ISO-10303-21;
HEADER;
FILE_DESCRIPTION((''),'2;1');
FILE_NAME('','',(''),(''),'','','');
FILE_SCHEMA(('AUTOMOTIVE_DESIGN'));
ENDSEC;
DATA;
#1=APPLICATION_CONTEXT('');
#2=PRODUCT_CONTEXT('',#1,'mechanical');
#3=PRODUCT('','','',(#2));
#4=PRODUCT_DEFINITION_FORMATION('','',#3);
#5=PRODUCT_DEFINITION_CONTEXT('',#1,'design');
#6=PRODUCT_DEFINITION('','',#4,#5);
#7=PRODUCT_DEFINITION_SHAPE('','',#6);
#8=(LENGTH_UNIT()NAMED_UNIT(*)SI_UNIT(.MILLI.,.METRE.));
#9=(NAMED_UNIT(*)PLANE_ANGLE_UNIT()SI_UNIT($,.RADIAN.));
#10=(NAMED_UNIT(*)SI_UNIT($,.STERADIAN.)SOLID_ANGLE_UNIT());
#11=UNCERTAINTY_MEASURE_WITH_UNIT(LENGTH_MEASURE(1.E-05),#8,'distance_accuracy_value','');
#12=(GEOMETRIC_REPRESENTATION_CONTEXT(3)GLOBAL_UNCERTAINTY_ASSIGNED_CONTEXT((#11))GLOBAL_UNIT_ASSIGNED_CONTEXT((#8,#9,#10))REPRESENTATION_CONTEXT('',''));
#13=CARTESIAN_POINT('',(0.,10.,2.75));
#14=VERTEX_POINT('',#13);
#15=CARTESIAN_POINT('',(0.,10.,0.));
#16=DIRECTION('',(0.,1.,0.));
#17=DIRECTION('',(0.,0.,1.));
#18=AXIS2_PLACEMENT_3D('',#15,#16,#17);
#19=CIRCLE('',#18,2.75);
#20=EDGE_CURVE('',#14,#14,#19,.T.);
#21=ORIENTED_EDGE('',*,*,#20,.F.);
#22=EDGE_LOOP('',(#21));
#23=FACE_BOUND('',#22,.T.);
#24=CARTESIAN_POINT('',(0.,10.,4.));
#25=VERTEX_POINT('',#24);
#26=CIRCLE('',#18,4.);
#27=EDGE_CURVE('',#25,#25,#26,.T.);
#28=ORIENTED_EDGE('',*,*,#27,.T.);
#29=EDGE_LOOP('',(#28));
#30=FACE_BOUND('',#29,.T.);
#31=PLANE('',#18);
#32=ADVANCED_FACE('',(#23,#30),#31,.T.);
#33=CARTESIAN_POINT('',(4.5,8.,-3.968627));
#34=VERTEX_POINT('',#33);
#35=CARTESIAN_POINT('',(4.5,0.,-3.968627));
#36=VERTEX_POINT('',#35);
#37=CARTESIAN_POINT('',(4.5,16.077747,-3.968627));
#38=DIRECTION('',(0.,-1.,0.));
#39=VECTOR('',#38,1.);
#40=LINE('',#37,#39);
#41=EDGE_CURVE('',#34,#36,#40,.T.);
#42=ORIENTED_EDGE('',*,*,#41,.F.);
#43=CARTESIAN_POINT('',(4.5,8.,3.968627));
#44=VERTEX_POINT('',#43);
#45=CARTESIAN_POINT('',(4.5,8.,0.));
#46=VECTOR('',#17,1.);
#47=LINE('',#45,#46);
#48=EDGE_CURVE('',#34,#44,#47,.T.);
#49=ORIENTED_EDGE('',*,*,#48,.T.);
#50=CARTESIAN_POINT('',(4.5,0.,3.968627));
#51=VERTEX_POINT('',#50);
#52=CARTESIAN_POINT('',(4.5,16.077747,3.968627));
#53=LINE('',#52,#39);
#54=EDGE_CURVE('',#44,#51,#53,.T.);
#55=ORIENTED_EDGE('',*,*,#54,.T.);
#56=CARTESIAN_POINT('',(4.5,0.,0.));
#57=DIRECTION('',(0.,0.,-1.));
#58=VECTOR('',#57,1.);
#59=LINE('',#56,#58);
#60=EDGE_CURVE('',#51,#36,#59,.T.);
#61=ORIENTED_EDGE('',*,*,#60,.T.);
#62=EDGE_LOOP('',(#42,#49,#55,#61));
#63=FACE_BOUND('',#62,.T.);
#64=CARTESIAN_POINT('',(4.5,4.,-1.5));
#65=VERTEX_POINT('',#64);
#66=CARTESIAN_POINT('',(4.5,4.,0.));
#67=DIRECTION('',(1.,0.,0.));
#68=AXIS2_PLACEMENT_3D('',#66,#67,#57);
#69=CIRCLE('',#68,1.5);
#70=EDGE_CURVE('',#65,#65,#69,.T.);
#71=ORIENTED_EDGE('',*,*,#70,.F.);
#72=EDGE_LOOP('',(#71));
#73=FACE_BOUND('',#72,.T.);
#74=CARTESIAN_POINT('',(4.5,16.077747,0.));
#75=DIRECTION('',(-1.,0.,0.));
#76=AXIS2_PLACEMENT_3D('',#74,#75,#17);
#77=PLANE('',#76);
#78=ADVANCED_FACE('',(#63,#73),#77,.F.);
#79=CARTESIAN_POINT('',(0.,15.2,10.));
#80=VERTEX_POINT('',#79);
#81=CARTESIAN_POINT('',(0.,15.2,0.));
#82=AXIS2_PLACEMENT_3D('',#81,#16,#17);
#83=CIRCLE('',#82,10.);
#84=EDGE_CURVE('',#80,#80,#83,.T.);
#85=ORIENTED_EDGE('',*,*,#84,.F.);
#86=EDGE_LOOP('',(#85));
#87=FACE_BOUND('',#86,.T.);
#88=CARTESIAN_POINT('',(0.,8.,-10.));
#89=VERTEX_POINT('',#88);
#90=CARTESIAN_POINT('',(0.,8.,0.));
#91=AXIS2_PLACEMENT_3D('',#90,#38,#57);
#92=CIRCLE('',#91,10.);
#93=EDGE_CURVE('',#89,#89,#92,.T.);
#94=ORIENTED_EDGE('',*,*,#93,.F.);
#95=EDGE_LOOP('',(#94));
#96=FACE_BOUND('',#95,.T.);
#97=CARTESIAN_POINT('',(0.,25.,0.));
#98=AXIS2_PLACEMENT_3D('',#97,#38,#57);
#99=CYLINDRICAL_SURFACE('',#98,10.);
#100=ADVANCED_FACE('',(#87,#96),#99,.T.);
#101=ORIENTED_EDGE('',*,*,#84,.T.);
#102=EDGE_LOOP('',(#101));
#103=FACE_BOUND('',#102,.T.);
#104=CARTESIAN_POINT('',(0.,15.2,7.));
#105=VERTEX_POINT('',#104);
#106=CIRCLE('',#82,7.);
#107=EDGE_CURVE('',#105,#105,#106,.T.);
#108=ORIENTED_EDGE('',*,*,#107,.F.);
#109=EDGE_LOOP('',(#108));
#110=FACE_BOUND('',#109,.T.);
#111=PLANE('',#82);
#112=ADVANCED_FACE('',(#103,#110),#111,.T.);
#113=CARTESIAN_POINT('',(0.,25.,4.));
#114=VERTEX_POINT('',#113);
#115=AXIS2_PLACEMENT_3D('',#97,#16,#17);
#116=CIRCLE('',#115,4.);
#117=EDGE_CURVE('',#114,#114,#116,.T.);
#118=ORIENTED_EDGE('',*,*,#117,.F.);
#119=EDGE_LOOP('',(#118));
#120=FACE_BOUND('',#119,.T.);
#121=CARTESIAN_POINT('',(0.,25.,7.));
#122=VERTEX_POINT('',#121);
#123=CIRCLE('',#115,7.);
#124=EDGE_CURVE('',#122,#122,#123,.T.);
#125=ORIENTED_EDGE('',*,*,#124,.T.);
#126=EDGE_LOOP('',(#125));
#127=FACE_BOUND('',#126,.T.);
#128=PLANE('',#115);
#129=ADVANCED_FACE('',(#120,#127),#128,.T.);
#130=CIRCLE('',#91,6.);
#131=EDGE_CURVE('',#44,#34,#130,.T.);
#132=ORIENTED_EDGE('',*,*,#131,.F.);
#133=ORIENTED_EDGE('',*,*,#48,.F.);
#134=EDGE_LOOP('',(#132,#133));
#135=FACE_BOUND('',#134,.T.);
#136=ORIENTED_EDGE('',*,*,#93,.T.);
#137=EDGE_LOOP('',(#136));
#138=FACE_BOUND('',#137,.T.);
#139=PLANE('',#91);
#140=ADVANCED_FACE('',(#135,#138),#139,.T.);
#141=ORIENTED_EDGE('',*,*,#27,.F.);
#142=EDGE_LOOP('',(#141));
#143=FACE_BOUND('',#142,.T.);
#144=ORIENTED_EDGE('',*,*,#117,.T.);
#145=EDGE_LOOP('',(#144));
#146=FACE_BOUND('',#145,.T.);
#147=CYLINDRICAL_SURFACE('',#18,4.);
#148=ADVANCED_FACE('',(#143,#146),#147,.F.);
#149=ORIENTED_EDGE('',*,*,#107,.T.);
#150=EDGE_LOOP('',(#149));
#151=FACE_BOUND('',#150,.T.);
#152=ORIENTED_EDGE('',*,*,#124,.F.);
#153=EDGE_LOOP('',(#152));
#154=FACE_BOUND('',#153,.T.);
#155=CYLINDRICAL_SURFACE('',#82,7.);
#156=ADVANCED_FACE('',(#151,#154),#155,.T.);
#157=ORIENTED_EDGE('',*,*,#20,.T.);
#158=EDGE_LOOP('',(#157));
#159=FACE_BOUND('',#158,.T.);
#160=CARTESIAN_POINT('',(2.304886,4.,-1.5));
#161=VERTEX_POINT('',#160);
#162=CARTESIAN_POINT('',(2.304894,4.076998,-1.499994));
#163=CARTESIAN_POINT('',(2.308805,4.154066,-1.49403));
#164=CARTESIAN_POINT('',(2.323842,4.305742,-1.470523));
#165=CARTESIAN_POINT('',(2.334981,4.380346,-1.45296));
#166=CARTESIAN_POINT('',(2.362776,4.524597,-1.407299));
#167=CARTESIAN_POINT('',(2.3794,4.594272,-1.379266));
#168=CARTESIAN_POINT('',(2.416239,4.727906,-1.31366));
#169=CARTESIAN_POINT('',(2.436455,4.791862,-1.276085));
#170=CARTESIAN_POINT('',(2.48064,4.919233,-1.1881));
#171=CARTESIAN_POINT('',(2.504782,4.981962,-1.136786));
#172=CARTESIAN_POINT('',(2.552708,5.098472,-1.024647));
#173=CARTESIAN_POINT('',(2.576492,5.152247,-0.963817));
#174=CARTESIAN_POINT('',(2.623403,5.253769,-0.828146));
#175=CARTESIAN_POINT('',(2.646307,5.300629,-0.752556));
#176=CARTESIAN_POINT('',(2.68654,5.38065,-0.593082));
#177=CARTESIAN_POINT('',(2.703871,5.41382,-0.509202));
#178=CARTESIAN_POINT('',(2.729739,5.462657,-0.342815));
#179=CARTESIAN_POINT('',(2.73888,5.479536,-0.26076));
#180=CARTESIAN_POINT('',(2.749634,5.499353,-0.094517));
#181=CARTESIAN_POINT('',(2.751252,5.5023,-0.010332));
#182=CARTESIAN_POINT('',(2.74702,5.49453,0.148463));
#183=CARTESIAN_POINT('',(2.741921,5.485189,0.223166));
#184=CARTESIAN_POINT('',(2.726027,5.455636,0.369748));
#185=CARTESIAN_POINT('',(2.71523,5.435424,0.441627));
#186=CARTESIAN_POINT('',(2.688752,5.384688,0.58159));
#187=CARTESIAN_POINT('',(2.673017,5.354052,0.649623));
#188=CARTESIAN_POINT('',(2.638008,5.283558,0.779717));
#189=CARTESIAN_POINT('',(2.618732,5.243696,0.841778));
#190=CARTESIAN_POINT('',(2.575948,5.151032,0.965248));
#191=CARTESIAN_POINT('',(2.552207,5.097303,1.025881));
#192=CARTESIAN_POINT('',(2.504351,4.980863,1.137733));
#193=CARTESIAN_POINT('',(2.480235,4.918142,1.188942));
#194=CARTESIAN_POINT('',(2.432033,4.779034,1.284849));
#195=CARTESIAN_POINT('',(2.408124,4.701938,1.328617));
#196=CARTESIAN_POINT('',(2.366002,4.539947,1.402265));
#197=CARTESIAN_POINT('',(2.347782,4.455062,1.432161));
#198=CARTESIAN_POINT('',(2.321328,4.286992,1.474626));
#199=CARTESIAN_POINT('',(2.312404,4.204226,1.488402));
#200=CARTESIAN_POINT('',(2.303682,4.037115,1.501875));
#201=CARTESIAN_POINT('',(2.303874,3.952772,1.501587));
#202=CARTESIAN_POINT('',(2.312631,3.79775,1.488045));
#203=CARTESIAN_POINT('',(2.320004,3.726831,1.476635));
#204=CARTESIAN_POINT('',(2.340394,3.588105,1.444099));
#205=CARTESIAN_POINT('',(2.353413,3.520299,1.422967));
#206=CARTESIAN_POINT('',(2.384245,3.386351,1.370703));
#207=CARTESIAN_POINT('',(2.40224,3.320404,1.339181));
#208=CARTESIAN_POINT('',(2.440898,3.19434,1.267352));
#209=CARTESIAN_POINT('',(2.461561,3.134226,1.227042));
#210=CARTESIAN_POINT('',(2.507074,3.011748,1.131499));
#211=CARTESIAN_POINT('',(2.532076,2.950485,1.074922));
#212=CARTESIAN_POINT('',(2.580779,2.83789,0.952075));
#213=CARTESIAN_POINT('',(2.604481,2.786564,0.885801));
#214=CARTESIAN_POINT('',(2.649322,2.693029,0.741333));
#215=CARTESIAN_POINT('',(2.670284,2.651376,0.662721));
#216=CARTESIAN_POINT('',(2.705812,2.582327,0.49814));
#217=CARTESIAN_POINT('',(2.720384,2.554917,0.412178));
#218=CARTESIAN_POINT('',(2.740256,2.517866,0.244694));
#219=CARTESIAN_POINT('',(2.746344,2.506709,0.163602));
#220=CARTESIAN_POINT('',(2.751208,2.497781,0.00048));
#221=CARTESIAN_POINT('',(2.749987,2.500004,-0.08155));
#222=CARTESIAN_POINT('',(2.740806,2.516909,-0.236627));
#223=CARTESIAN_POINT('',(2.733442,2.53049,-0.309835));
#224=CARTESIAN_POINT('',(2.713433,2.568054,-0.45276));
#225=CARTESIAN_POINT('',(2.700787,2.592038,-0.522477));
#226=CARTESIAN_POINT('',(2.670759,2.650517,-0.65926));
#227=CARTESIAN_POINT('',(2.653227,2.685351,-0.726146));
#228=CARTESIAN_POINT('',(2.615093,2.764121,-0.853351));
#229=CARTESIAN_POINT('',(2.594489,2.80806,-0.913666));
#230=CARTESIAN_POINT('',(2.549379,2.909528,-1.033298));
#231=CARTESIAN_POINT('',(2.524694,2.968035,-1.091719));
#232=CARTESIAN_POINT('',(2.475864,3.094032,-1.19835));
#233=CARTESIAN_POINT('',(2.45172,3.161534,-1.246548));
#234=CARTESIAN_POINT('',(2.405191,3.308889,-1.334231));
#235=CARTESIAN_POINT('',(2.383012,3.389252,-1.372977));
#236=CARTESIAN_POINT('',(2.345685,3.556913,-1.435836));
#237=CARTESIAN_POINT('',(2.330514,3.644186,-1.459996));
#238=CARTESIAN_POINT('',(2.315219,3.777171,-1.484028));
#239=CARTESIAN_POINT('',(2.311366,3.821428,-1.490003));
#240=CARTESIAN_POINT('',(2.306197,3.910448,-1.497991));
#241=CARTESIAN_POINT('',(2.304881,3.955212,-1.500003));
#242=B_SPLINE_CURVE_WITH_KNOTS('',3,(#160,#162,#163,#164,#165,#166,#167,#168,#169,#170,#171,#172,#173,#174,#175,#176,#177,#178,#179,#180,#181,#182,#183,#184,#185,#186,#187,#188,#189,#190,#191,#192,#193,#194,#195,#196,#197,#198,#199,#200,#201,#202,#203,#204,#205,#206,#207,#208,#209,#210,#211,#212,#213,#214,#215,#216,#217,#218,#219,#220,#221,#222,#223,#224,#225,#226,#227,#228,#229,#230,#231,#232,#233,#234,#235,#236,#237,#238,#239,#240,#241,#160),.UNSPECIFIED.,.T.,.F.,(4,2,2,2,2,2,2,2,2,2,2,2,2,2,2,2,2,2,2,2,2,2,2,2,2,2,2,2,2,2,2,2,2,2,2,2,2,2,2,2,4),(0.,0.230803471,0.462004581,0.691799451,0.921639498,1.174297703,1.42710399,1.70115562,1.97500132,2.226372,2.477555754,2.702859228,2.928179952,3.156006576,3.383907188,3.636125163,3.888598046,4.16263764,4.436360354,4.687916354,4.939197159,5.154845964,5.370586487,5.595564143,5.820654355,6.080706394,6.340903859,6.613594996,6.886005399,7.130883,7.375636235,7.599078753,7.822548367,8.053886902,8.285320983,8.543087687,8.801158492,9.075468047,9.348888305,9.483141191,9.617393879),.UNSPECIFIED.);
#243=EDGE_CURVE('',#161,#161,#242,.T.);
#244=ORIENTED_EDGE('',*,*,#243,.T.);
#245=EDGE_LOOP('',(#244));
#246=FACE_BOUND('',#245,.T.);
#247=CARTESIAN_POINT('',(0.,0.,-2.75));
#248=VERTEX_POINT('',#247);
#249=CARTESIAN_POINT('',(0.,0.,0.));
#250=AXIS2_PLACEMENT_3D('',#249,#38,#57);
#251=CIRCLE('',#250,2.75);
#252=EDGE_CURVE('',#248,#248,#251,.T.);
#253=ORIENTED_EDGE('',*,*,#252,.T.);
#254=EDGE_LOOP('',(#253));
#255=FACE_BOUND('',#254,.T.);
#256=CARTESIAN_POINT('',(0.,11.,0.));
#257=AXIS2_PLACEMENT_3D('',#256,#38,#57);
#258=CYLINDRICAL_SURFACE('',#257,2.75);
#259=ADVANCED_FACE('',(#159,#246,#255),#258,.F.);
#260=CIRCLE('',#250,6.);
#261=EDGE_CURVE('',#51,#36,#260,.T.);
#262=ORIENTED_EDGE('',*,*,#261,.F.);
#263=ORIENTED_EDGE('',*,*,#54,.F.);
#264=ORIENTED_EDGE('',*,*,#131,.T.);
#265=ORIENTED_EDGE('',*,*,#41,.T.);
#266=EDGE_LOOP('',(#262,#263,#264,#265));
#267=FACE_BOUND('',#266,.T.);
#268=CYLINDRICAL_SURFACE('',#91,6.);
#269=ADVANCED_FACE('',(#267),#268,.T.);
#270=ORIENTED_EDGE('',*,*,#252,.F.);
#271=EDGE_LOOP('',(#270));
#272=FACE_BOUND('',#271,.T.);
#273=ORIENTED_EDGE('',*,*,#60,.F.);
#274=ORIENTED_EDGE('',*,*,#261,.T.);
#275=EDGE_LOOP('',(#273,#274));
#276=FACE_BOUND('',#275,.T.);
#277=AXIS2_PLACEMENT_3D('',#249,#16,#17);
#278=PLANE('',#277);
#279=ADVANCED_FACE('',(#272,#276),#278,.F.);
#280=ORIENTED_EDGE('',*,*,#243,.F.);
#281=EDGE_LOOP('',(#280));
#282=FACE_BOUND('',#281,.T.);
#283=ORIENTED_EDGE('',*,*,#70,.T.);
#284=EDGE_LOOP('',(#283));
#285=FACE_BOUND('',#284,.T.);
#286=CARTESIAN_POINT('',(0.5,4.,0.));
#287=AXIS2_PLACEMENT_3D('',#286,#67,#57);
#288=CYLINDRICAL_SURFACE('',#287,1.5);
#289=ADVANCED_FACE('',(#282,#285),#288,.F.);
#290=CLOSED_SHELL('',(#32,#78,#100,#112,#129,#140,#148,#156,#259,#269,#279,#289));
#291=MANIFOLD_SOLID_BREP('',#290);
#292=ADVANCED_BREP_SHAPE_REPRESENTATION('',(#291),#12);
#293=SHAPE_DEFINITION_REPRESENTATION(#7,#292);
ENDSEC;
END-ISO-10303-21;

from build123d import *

# Parameters (mm, degrees)
SKETCH1_R           = 10
BOSS_EXTRUDE2_DEPTH = 25
SKETCH2_R           = 10
SKETCH2_R_2         = 7
CUT_EXTRUDE1_DEPTH  = 9.8
SKETCH3_R           = 10
SKETCH3_R_2         = 6
CUT_EXTRUDE2_DEPTH  = 8
SKETCH4_R           = 4
CUT_EXTRUDE3_DEPTH  = 15
SKETCH5_R           = 2.75
CUT_EXTRUDE4_DEPTH  = 11
CUT_EXTRUDE5_DEPTH  = 8
SKETCH7_R           = 1.5
CUT_EXTRUDE6_DEPTH  = 4


with BuildPart() as part:
    # Sketch1 → Boss-Extrude2 (new body)
    with BuildSketch(Plane(origin=(0, 0, 0), x_dir=(1, 0, 0), z_dir=(0, 1, 0))):
        Circle(SKETCH1_R)
    extrude(amount=BOSS_EXTRUDE2_DEPTH)

    # Sketch2 → Cut-Extrude1 (cut)
    with BuildSketch(Plane(origin=(0, 25, 0), x_dir=(1, 0, 0), z_dir=(0, 1, 0))):
        Circle(SKETCH2_R)
        Circle(SKETCH2_R_2, mode=Mode.SUBTRACT)
    extrude(amount=-CUT_EXTRUDE1_DEPTH, mode=Mode.SUBTRACT)

    # Sketch3 → Cut-Extrude2 (cut)
    with BuildSketch(Plane.XZ):
        Circle(SKETCH3_R)
        Circle(SKETCH3_R_2, mode=Mode.SUBTRACT)
    extrude(amount=-CUT_EXTRUDE2_DEPTH, mode=Mode.SUBTRACT)

    # Sketch4 → Cut-Extrude3 (cut)
    with BuildSketch(Plane(origin=(0, 25, 0), x_dir=(1, 0, 0), z_dir=(0, 1, 0))):
        Circle(SKETCH4_R)
    extrude(amount=-CUT_EXTRUDE3_DEPTH, mode=Mode.SUBTRACT)

    # Sketch5 → Cut-Extrude4 (cut)
    with BuildSketch(Plane.XZ):
        Circle(SKETCH5_R)
    extrude(amount=-CUT_EXTRUDE4_DEPTH, mode=Mode.SUBTRACT)

    # Sketch6 → Cut-Extrude5 (cut)
    with BuildSketch(Plane.XZ):
        with BuildLine():
            Line((4.5, 0), (4.5, 3.968626967))
            ThreePointArc((4.5, 3.968626967), (6, 0), (4.5, -3.968626967))
            Line((4.5, -3.968626967), (4.5, 0))
        make_face()
    extrude(amount=-CUT_EXTRUDE5_DEPTH, mode=Mode.SUBTRACT)

    # Sketch7 → Cut-Extrude6 (cut)
    with BuildSketch(Plane(origin=(4.5, 0, 0), x_dir=(0, 0, -1), z_dir=(1, 0, 0))):
        with Locations((0, 4)):
            Circle(SKETCH7_R)
    extrude(amount=-CUT_EXTRUDE6_DEPTH, mode=Mode.SUBTRACT)


solid = part.part
